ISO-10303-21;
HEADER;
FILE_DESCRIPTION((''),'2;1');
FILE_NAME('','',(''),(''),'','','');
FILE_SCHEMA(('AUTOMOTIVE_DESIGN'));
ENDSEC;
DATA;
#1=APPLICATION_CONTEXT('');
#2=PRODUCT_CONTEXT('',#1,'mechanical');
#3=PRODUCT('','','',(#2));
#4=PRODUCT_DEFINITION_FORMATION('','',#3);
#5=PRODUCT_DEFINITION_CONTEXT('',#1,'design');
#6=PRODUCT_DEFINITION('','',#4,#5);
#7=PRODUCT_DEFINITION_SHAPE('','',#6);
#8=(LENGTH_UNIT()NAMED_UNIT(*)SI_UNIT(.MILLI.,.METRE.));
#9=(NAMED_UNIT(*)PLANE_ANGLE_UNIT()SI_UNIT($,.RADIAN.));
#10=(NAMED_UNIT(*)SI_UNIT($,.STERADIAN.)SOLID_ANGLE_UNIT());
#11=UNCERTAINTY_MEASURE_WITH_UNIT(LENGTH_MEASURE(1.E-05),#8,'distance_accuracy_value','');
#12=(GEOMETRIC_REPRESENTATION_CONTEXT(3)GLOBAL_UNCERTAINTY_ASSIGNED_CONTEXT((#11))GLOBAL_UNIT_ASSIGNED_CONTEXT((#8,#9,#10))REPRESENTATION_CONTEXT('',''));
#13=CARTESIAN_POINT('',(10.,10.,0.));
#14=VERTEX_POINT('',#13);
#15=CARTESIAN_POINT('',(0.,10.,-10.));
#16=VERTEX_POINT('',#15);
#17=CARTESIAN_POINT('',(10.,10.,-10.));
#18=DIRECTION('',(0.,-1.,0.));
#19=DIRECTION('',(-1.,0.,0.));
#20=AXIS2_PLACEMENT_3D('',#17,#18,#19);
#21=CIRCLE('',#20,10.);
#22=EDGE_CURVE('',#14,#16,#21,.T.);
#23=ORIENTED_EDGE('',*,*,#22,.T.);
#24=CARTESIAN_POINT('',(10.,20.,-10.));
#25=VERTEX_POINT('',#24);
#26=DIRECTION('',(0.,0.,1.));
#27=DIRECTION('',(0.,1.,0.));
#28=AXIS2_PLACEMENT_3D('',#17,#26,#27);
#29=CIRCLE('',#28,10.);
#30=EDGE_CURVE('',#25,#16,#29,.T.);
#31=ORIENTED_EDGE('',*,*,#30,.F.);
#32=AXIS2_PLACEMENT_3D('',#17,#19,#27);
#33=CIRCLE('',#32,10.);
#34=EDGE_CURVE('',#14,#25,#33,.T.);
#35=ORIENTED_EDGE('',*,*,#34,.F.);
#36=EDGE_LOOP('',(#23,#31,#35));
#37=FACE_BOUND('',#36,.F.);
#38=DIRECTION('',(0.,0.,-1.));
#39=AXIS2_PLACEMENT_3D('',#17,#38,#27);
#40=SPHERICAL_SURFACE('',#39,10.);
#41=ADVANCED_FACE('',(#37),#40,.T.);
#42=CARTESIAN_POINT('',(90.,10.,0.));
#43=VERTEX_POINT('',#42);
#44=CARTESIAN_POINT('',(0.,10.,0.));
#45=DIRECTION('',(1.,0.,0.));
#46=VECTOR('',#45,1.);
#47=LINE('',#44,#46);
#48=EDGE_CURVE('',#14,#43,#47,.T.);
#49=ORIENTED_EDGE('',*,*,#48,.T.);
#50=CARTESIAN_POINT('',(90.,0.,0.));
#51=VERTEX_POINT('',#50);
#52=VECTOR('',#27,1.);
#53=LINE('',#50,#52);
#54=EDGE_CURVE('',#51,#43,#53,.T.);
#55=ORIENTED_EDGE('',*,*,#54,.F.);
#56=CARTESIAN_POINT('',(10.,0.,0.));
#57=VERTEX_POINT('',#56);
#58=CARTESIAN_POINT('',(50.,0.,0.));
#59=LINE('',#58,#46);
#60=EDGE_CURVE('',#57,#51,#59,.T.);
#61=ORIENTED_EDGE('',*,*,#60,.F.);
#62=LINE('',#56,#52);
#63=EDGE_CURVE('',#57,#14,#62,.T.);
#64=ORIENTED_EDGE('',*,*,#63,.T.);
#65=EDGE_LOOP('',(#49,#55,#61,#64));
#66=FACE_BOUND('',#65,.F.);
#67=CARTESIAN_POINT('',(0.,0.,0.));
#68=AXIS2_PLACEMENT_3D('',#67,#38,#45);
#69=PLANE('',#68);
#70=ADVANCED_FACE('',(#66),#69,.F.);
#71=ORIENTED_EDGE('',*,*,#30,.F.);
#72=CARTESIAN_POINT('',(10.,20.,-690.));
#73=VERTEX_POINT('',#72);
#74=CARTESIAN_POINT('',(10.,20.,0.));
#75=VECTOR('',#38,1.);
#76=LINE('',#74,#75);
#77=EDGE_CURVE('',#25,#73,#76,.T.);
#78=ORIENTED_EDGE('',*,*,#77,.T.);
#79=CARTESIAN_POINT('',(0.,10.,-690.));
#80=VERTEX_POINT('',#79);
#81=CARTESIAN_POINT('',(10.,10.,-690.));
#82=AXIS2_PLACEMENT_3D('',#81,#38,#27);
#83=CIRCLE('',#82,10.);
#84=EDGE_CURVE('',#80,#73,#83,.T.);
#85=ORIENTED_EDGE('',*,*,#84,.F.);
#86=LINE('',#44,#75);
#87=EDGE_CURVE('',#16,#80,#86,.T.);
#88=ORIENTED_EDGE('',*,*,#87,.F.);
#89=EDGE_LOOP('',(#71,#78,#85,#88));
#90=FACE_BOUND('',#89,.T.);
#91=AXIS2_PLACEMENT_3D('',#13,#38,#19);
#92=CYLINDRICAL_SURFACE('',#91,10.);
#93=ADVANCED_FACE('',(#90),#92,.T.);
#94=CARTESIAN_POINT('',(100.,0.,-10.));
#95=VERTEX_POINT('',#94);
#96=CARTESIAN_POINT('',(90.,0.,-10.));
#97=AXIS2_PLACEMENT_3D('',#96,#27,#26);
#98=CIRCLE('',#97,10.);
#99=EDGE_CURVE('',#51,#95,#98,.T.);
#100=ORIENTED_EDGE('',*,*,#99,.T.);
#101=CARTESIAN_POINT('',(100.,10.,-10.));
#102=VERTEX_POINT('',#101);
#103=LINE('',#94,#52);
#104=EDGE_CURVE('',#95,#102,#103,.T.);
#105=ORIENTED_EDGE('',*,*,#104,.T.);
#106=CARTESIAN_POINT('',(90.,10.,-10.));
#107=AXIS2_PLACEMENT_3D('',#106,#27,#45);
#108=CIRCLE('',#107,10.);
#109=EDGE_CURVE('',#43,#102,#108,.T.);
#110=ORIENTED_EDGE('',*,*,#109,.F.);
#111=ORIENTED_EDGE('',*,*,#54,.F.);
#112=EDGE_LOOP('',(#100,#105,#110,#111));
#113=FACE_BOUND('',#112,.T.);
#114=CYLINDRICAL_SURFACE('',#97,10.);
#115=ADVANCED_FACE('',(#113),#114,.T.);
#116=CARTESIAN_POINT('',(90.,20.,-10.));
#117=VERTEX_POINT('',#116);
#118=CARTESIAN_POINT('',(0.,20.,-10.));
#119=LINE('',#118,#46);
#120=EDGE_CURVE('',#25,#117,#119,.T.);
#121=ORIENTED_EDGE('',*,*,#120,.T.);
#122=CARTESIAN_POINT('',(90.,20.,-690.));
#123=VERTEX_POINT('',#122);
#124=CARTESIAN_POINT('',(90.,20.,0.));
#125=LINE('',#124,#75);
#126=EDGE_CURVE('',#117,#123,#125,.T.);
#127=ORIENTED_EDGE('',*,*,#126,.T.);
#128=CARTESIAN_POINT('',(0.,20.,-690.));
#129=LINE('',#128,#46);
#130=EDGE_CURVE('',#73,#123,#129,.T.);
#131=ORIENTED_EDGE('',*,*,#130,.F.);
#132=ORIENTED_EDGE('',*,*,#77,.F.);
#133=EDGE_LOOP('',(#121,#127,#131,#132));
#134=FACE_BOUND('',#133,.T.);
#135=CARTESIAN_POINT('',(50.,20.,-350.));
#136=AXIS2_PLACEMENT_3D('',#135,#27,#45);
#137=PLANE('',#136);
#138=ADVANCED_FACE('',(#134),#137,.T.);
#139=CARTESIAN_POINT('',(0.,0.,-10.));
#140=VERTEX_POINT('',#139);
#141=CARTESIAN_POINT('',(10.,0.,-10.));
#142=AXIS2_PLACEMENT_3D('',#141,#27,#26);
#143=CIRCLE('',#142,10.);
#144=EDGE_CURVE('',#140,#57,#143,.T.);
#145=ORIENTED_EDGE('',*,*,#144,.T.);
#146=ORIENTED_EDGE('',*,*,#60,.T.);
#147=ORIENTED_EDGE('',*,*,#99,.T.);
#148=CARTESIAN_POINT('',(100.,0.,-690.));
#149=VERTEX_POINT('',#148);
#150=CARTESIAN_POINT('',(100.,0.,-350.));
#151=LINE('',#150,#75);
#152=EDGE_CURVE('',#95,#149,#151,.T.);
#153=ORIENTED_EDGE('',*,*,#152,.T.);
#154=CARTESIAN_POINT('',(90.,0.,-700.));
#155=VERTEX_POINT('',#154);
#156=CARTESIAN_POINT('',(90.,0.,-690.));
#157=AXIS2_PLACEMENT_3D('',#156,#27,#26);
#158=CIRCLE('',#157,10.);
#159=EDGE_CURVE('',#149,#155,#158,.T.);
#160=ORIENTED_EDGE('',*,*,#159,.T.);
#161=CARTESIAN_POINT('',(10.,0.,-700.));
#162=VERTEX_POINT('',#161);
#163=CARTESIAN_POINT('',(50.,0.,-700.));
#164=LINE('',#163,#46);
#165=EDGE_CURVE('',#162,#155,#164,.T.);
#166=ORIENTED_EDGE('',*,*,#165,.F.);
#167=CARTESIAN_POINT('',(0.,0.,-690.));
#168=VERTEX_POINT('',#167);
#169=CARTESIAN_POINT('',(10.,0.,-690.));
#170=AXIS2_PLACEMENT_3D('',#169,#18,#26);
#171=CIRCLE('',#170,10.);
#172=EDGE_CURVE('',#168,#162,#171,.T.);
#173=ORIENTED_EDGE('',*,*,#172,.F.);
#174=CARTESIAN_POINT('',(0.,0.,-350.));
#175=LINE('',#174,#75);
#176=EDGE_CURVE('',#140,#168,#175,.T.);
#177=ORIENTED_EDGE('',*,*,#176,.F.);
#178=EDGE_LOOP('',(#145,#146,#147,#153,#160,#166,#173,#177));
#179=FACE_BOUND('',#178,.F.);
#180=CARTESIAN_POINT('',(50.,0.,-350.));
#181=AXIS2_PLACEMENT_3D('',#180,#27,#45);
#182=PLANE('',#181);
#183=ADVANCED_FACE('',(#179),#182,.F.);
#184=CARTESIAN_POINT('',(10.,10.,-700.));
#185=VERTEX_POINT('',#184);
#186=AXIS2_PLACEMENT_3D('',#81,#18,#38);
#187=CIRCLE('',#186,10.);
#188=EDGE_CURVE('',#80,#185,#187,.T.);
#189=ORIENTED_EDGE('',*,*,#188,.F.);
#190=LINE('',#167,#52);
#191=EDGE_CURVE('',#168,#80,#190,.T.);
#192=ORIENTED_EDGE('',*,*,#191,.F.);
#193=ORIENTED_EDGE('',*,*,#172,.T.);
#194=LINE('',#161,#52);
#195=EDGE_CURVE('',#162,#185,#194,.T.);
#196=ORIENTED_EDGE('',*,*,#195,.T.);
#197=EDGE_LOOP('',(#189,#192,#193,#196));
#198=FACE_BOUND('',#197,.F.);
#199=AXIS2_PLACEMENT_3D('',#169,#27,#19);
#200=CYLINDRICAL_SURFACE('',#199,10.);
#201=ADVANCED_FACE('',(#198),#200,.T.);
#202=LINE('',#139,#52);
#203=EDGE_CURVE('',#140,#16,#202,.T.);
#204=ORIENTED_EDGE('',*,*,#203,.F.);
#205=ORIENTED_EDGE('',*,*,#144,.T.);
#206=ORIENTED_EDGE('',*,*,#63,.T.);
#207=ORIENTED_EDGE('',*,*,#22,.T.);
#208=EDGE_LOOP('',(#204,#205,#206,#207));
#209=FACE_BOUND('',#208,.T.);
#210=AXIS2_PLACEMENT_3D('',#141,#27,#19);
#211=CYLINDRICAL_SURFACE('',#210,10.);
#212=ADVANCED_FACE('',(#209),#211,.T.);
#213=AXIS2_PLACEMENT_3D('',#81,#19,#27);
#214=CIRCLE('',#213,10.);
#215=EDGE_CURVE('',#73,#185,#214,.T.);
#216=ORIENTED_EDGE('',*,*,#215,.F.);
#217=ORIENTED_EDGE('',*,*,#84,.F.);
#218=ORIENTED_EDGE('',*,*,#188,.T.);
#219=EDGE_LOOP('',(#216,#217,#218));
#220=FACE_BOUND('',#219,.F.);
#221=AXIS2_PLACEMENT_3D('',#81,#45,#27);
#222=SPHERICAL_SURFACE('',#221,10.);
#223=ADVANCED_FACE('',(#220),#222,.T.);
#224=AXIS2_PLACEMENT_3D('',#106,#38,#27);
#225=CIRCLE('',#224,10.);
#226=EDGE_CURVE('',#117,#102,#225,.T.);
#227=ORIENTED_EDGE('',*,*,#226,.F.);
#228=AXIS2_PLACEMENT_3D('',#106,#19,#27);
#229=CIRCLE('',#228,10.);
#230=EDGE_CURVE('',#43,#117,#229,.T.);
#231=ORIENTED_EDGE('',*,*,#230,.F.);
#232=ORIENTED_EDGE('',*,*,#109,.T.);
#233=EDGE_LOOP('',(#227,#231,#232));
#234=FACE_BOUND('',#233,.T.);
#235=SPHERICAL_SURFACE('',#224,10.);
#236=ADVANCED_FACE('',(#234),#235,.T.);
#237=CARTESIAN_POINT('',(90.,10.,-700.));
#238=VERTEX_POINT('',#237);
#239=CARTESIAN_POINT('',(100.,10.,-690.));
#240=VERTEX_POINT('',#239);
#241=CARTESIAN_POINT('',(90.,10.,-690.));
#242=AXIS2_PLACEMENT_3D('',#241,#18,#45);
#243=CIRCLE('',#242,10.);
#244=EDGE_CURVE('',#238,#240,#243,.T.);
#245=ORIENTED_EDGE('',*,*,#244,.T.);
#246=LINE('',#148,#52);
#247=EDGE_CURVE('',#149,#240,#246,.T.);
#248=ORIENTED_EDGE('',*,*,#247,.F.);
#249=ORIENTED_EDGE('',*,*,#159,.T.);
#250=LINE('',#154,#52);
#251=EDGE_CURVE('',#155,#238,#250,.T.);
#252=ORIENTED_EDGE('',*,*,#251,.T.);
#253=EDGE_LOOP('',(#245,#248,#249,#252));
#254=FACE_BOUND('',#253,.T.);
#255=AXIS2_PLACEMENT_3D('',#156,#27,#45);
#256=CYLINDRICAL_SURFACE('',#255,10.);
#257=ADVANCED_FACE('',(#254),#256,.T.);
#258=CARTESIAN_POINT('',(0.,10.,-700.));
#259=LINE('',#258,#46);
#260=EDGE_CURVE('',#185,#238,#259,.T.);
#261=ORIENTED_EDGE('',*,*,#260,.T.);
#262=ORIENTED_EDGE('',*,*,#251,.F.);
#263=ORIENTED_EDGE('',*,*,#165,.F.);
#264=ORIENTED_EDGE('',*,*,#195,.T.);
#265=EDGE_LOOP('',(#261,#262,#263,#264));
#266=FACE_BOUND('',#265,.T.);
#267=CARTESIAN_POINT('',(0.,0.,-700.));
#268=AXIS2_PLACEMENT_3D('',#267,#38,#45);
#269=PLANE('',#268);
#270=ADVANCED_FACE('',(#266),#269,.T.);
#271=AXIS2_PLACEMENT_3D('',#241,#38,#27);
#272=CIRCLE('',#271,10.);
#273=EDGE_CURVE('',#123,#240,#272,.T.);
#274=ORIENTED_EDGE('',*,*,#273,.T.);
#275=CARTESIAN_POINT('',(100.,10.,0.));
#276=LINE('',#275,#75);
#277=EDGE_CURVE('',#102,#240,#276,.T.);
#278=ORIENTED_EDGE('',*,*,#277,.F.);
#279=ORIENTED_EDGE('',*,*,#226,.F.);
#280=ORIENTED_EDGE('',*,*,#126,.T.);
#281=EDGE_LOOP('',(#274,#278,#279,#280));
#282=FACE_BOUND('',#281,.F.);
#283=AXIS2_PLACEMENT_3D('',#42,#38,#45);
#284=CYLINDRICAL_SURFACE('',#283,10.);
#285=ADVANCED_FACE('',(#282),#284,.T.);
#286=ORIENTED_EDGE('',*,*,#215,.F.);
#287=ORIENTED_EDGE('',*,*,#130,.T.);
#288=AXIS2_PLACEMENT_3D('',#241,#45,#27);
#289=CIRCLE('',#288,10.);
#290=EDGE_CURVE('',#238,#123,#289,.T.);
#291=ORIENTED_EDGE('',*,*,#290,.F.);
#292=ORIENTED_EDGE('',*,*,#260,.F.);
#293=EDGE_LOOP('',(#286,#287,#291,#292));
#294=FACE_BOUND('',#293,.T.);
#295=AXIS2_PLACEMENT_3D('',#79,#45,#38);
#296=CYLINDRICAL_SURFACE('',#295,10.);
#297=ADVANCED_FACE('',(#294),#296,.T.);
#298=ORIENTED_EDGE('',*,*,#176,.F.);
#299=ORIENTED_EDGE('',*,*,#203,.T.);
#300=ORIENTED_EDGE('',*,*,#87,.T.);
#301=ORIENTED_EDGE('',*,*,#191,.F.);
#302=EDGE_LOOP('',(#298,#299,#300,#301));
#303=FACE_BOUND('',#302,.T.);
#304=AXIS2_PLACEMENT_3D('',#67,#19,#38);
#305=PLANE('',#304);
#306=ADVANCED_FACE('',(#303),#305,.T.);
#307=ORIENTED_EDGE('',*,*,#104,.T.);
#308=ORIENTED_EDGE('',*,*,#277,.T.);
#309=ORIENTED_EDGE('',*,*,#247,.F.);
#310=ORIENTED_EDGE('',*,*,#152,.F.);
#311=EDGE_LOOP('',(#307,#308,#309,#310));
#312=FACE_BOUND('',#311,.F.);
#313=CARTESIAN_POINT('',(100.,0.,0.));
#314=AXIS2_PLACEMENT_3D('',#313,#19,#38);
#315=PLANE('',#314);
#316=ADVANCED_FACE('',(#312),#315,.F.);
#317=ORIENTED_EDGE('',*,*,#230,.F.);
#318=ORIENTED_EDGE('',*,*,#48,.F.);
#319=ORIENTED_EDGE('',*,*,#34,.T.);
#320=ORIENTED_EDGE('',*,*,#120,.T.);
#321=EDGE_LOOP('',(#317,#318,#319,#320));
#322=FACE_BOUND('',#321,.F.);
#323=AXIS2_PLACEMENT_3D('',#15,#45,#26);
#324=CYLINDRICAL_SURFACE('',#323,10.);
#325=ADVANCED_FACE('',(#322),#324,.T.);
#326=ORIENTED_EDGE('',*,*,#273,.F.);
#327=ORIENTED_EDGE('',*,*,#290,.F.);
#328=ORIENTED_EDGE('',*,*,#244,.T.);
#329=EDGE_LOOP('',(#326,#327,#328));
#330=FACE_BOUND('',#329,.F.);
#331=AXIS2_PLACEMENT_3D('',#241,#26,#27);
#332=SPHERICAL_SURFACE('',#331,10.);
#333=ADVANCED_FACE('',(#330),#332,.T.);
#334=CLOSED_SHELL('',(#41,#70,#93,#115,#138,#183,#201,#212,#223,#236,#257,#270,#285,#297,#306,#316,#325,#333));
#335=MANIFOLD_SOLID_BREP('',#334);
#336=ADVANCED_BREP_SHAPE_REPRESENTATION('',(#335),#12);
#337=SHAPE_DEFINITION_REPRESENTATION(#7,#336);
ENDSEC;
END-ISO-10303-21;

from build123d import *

# Parameters (mm, degrees)
SKETCH1_W           = 100
SKETCH1_H           = 700
BOSS_EXTRUDE1_DEPTH = 20
FILLET1_R           = 10


with BuildPart() as part:
    # Sketch1 → Boss-Extrude1 (new body)
    with BuildSketch(Plane(origin=(0, 0, 0), x_dir=(1, 0, 0), z_dir=(0, 1, 0))):
        with Locations((50, 350)):
            Rectangle(SKETCH1_W, SKETCH1_H)
    extrude(amount=BOSS_EXTRUDE1_DEPTH)

    # Fillet1
    fillet1_edges = [part.edges().sort_by_distance(p)[0] for p in [
        (100, 20, -350),
        (50, 20, -700),
        (0, 20, -350),
        (50, 20, 0),
        (0, 10, -700),
        (100, 10, -700),
        (100, 10, 0),
        (0, 10, 0),
    ]]
    fillet(fillet1_edges, radius=FILLET1_R)


solid = part.part
